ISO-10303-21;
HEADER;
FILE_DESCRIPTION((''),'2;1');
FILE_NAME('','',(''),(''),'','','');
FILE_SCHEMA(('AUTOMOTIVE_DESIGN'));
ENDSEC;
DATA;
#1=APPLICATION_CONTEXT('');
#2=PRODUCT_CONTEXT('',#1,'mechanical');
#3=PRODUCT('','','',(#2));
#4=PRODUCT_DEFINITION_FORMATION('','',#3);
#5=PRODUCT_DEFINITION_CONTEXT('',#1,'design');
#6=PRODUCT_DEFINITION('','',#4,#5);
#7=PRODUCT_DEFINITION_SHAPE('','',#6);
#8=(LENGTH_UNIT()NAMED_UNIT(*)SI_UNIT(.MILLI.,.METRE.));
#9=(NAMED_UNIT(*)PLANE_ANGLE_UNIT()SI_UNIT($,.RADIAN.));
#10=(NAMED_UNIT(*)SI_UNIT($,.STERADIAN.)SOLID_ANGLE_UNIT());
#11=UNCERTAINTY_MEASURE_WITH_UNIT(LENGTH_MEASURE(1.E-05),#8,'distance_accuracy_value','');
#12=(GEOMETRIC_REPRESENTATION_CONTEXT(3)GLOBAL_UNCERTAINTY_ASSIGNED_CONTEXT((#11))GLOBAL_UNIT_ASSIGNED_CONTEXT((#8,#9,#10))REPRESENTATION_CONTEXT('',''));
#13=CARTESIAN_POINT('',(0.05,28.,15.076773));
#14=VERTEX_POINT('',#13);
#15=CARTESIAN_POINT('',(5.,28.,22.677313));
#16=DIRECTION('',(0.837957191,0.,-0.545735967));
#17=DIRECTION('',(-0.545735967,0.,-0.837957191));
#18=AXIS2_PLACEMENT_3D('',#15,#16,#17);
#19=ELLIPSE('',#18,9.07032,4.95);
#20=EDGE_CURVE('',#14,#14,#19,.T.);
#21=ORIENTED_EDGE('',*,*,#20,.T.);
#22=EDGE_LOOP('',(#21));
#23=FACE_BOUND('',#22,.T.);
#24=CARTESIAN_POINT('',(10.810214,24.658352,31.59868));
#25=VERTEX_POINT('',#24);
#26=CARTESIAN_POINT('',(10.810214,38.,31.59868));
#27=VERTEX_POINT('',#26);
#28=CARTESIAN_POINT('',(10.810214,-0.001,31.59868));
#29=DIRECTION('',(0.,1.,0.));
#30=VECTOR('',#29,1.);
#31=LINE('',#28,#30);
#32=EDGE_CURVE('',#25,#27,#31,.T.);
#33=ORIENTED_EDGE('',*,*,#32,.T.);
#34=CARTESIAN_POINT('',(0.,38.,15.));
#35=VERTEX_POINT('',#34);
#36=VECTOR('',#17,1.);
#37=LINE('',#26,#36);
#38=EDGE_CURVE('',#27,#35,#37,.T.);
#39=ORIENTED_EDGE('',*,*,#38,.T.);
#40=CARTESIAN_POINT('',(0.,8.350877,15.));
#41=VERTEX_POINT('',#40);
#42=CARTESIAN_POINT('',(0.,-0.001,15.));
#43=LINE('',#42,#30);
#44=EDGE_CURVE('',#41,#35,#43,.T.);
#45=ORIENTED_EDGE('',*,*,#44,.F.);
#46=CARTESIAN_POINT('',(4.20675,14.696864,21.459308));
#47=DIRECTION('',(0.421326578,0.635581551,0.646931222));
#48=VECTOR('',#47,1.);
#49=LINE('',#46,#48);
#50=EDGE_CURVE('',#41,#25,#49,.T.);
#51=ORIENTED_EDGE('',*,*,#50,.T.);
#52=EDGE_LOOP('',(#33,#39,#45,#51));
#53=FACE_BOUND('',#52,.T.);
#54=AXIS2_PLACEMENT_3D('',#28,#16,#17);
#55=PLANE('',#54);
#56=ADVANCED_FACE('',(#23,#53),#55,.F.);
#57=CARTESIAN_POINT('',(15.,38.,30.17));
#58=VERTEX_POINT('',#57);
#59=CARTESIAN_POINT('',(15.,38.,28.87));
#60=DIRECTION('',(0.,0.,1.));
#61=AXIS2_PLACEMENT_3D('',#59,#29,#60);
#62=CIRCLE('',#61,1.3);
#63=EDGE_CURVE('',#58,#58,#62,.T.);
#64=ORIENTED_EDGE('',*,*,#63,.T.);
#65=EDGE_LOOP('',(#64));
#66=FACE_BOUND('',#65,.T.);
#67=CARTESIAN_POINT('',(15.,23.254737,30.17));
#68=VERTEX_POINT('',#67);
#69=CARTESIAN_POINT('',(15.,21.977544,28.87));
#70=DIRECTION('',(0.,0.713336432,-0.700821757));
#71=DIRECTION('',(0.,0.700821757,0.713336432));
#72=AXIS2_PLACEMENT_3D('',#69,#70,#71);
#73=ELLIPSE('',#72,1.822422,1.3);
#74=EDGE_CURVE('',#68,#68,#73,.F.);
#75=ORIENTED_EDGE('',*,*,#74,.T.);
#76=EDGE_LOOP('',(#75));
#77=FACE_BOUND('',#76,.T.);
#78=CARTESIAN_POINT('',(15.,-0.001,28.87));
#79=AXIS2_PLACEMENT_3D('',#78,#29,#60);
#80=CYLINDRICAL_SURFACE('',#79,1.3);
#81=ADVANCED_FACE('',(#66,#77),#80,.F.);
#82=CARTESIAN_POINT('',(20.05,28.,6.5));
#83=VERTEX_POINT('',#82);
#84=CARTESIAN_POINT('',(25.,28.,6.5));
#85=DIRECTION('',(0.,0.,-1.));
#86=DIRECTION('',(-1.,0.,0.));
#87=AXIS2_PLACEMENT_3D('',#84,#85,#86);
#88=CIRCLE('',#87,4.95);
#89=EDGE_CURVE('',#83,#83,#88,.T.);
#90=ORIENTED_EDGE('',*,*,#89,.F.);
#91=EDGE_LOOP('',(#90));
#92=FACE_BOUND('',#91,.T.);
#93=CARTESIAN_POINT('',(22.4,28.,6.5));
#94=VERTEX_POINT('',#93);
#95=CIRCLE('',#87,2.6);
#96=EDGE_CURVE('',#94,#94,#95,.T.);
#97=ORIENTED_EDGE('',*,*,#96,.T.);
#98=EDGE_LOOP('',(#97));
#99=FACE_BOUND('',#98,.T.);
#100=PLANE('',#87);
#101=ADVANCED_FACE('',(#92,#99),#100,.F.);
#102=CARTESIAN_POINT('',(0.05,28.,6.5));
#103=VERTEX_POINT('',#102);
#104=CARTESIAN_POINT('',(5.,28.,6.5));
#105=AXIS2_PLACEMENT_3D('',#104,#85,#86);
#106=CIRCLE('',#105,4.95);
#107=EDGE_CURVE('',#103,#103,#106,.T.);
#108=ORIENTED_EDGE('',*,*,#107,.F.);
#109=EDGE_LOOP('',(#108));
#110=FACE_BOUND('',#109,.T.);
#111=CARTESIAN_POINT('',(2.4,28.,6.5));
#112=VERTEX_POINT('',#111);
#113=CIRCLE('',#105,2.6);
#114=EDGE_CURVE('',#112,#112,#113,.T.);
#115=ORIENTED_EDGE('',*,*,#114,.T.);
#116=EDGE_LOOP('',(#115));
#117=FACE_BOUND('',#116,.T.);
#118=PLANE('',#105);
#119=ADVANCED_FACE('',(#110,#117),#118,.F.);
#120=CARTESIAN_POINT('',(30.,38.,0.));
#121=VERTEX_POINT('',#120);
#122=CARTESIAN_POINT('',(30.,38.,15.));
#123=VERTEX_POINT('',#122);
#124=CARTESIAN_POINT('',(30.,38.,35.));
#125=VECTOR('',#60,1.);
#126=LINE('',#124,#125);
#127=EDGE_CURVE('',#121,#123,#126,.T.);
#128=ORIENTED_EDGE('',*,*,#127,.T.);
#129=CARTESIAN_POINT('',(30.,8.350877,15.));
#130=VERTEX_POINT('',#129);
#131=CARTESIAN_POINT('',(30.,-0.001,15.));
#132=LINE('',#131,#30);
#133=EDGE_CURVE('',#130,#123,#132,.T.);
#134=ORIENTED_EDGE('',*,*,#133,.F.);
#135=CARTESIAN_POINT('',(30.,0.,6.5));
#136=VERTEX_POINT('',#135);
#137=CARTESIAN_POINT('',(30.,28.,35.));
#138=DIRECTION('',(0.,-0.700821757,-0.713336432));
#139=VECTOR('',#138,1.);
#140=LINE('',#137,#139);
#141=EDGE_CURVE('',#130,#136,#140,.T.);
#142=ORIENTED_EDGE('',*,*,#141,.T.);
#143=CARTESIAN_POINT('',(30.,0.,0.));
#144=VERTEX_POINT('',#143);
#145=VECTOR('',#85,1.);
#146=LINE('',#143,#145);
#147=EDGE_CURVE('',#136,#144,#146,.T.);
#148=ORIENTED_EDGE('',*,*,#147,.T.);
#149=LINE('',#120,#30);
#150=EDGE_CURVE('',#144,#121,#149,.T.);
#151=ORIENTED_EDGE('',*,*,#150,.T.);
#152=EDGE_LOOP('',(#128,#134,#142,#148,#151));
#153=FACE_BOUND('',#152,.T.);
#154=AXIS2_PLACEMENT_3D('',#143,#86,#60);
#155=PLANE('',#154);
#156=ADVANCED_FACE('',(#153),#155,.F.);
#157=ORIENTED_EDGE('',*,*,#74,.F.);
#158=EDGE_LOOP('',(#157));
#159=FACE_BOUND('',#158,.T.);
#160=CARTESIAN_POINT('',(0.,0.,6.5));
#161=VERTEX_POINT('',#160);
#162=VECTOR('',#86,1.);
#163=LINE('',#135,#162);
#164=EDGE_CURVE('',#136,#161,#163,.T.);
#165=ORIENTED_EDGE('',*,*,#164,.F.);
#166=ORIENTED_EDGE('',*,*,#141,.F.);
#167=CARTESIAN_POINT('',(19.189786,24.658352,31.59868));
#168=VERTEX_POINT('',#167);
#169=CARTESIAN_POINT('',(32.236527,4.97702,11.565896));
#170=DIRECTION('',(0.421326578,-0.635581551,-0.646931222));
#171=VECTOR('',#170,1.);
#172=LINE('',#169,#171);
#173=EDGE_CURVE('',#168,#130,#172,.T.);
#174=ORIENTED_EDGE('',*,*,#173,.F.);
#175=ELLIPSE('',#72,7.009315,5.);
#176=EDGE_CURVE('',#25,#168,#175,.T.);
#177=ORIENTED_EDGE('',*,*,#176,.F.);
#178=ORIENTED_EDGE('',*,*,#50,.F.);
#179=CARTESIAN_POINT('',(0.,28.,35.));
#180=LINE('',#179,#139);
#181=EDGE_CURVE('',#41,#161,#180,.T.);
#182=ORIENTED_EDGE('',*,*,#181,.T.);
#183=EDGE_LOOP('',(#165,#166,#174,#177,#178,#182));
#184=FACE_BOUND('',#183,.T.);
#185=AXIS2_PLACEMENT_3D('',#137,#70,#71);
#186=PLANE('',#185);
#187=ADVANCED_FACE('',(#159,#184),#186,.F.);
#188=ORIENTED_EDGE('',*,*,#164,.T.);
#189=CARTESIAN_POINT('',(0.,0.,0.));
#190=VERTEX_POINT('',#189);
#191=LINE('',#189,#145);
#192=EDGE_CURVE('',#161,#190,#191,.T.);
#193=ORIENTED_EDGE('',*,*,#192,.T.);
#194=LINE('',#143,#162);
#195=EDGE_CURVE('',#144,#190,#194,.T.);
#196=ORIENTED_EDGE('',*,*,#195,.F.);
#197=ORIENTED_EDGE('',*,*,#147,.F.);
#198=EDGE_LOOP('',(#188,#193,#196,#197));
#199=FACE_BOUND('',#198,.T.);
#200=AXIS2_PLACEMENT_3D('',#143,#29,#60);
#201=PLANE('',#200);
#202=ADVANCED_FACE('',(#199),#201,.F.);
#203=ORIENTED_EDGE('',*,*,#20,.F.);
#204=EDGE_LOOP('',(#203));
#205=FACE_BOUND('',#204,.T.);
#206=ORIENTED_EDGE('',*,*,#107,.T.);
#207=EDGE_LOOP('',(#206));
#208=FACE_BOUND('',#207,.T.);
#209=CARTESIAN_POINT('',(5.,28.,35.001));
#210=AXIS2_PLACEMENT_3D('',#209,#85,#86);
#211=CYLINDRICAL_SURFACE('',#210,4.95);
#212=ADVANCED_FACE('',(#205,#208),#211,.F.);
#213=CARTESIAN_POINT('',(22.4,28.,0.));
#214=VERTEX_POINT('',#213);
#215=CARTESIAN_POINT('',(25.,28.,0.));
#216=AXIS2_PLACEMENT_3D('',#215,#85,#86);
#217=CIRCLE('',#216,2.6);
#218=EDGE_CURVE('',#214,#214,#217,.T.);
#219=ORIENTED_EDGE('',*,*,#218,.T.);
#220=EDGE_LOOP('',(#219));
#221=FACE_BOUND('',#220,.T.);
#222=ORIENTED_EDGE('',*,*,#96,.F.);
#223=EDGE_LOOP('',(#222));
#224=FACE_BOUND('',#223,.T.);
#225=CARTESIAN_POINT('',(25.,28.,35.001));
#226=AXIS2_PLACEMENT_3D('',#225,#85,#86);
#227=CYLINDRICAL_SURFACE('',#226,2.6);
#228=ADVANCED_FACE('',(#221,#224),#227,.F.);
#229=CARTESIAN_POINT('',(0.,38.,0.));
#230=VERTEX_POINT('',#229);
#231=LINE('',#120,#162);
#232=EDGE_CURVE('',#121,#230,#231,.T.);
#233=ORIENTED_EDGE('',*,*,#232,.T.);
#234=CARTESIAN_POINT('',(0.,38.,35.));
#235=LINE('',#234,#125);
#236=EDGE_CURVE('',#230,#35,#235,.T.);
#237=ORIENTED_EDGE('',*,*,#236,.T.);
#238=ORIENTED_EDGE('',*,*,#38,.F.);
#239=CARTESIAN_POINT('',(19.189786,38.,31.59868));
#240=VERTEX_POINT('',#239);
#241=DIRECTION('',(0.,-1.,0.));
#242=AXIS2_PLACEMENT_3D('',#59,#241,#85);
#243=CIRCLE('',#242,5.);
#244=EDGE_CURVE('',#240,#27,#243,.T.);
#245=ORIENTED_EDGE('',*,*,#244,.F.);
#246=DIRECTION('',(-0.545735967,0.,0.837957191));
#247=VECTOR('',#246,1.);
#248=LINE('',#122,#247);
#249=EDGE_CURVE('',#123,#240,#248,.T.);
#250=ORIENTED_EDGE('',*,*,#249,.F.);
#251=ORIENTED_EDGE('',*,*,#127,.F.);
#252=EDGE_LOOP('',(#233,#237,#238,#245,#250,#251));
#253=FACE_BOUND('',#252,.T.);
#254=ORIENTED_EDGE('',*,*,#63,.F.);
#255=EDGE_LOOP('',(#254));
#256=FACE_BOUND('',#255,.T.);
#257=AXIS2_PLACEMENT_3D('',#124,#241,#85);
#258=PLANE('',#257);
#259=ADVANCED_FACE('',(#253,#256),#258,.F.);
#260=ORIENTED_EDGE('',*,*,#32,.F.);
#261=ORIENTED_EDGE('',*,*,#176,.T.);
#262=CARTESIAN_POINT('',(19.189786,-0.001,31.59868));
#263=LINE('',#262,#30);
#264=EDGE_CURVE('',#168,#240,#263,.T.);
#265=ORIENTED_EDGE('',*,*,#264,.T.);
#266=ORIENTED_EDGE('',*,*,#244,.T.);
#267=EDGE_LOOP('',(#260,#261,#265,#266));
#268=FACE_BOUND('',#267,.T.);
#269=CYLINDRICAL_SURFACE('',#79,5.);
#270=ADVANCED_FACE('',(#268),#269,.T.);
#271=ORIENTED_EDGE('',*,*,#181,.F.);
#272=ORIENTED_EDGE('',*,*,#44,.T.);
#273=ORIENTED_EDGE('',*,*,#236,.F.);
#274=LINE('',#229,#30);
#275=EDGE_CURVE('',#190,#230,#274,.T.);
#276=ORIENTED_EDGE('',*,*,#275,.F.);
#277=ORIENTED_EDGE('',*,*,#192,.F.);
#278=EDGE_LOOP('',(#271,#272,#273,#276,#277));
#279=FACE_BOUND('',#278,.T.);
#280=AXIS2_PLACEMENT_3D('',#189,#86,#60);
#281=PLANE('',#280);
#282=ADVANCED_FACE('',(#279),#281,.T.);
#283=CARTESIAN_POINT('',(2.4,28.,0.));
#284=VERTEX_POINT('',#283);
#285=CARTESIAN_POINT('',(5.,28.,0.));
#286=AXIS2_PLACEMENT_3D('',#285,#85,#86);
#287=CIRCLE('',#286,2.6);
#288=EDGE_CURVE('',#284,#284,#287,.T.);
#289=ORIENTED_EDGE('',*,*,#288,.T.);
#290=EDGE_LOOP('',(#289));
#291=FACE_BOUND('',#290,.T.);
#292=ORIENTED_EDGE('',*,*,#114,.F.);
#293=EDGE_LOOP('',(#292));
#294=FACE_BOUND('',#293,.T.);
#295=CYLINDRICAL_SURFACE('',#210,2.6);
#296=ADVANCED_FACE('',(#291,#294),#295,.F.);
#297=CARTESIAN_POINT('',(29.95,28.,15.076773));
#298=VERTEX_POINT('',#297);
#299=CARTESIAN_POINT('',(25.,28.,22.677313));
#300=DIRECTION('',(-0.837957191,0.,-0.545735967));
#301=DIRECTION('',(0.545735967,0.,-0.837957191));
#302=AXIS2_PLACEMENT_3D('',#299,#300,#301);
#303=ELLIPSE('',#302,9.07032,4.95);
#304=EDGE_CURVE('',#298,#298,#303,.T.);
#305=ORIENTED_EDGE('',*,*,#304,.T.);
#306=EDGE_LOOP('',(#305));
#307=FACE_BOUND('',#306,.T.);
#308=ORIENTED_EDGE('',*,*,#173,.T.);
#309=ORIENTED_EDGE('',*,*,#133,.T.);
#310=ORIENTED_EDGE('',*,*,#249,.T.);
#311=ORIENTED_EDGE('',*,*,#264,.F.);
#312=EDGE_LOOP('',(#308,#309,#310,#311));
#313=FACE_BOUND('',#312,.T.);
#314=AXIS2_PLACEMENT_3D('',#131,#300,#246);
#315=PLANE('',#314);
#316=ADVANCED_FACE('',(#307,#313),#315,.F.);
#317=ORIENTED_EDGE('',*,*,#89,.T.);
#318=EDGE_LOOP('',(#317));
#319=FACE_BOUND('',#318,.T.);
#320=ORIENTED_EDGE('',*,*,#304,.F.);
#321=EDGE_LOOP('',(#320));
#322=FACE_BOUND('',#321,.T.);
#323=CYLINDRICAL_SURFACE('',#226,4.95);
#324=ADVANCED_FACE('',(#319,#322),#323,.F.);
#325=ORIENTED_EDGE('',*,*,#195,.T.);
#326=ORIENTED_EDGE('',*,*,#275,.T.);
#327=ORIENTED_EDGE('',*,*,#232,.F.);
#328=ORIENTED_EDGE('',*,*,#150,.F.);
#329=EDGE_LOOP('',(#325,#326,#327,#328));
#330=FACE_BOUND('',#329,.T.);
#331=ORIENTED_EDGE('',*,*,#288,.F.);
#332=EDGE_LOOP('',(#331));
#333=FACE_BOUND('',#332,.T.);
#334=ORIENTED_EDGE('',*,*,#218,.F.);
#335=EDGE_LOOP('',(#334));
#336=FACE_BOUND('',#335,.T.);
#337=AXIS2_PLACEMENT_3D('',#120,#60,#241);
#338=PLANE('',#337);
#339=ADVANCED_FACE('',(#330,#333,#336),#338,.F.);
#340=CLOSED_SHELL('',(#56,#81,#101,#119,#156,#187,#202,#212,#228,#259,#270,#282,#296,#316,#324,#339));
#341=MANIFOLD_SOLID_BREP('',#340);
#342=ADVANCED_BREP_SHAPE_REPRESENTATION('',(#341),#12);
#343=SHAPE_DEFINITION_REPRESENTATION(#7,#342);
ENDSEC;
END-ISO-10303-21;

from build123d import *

# Parameters (mm, degrees)
BOSS_EXTRUDE1_DEPTH = 30
CUT_EXTRUDE1_REACH  = 37
SKETCH3_R           = 2.6
CUT_EXTRUDE2_REACH  = 43.5
CUT_EXTRUDE2_START  = -6.5
SKETCH4_R           = 4.95
CUT_EXTRUDE3_REACH  = 40
SKETCH5_R           = 1.3
CUT_EXTRUDE4_REACH  = 40


with BuildPart() as part:
    # Sketch2 → Boss-Extrude1 (new body)
    with BuildSketch(Plane(origin=(0, 0, 0), x_dir=(0, 0, -1), z_dir=(1, 0, 0))):
        Polygon((0, 0), (-6.5, 0), (-35, 28), (-35, 38), (0, 38), align=None)
    extrude(amount=BOSS_EXTRUDE1_DEPTH)

    # Sketch3 → Cut-Extrude1 (cut, up to next)
    with BuildSketch(Plane(origin=(0, 0, 0), x_dir=(-1, 0, 0), z_dir=(0, 0, -1)), mode=Mode.PRIVATE) as cut_extrude1_sk1:
        with Locations((-25, 28)):
            Circle(SKETCH3_R)
    cut_extrude1_tool1 = extrude(cut_extrude1_sk1.sketch, amount=-CUT_EXTRUDE1_REACH, mode=Mode.PRIVATE) & part.part
    add(cut_extrude1_tool1.solids().sort_by_distance((25, 28, 0))[0], mode=Mode.SUBTRACT)
    # Sketch3 → Cut-Extrude1 (cut, up to next)
    with BuildSketch(Plane(origin=(0, 0, 0), x_dir=(-1, 0, 0), z_dir=(0, 0, -1)), mode=Mode.PRIVATE) as cut_extrude1_sk2:
        with Locations((-5, 28)):
            Circle(SKETCH3_R)
    cut_extrude1_tool2 = extrude(cut_extrude1_sk2.sketch, amount=-CUT_EXTRUDE1_REACH, mode=Mode.PRIVATE) & part.part
    add(cut_extrude1_tool2.solids().sort_by_distance((5, 28, 0))[0], mode=Mode.SUBTRACT)

    # Sketch4 → Cut-Extrude2 (cut, up to next)
    with BuildSketch(Plane(origin=(0, 0, 0), x_dir=(-1, 0, 0), z_dir=(0, 0, -1)).offset(CUT_EXTRUDE2_START), mode=Mode.PRIVATE) as cut_extrude2_sk1:
        with Locations((-25, 28)):
            Circle(SKETCH4_R)
    cut_extrude2_tool1 = extrude(cut_extrude2_sk1.sketch, amount=-CUT_EXTRUDE2_REACH, mode=Mode.PRIVATE) & part.part
    add(cut_extrude2_tool1.solids().sort_by_distance((25, 28, 6.5))[0], mode=Mode.SUBTRACT)
    # Sketch4 → Cut-Extrude2 (cut, up to next)
    with BuildSketch(Plane(origin=(0, 0, 0), x_dir=(-1, 0, 0), z_dir=(0, 0, -1)).offset(CUT_EXTRUDE2_START), mode=Mode.PRIVATE) as cut_extrude2_sk2:
        with Locations((-5, 28)):
            Circle(SKETCH4_R)
    cut_extrude2_tool2 = extrude(cut_extrude2_sk2.sketch, amount=-CUT_EXTRUDE2_REACH, mode=Mode.PRIVATE) & part.part
    add(cut_extrude2_tool2.solids().sort_by_distance((5, 28, 6.5))[0], mode=Mode.SUBTRACT)

    # Sketch5 → Cut-Extrude3 (cut, up to next)
    with BuildSketch(Plane(origin=(0, 38, 0), x_dir=(1, 0, 0), z_dir=(0, 1, 0)), mode=Mode.PRIVATE) as cut_extrude3_sk1:
        with Locations((15, -28.87)):
            Circle(SKETCH5_R)
    cut_extrude3_tool1 = extrude(cut_extrude3_sk1.sketch, amount=-CUT_EXTRUDE3_REACH, mode=Mode.PRIVATE) & part.part
    add(cut_extrude3_tool1.solids().sort_by_distance((15, 38, 28.87))[0], mode=Mode.SUBTRACT)

    # Sketch6 → Cut-Extrude4 (cut, up to next)
    with BuildSketch(Plane(origin=(0, 38, 0), x_dir=(1, 0, 0), z_dir=(0, 1, 0)), mode=Mode.PRIVATE) as cut_extrude4_sk1:
        with BuildLine():
            Line((0, -35), (30, -35))
            Line((30, -35), (30, -15))
            Line((30, -15), (19.189785955, -31.598679836))
            ThreePointArc((19.189785955, -31.598679836), (15, -33.87), (10.810214045, -31.598679836))
            Line((10.810214045, -31.598679836), (0, -15))
            Line((0, -15), (0, -35))
        make_face()
    cut_extrude4_tool1 = extrude(cut_extrude4_sk1.sketch, amount=-CUT_EXTRUDE4_REACH, mode=Mode.PRIVATE) & part.part
    add(cut_extrude4_tool1.solids().sort_by_distance((15, 38, 34.639445))[0], mode=Mode.SUBTRACT)


solid = part.part
